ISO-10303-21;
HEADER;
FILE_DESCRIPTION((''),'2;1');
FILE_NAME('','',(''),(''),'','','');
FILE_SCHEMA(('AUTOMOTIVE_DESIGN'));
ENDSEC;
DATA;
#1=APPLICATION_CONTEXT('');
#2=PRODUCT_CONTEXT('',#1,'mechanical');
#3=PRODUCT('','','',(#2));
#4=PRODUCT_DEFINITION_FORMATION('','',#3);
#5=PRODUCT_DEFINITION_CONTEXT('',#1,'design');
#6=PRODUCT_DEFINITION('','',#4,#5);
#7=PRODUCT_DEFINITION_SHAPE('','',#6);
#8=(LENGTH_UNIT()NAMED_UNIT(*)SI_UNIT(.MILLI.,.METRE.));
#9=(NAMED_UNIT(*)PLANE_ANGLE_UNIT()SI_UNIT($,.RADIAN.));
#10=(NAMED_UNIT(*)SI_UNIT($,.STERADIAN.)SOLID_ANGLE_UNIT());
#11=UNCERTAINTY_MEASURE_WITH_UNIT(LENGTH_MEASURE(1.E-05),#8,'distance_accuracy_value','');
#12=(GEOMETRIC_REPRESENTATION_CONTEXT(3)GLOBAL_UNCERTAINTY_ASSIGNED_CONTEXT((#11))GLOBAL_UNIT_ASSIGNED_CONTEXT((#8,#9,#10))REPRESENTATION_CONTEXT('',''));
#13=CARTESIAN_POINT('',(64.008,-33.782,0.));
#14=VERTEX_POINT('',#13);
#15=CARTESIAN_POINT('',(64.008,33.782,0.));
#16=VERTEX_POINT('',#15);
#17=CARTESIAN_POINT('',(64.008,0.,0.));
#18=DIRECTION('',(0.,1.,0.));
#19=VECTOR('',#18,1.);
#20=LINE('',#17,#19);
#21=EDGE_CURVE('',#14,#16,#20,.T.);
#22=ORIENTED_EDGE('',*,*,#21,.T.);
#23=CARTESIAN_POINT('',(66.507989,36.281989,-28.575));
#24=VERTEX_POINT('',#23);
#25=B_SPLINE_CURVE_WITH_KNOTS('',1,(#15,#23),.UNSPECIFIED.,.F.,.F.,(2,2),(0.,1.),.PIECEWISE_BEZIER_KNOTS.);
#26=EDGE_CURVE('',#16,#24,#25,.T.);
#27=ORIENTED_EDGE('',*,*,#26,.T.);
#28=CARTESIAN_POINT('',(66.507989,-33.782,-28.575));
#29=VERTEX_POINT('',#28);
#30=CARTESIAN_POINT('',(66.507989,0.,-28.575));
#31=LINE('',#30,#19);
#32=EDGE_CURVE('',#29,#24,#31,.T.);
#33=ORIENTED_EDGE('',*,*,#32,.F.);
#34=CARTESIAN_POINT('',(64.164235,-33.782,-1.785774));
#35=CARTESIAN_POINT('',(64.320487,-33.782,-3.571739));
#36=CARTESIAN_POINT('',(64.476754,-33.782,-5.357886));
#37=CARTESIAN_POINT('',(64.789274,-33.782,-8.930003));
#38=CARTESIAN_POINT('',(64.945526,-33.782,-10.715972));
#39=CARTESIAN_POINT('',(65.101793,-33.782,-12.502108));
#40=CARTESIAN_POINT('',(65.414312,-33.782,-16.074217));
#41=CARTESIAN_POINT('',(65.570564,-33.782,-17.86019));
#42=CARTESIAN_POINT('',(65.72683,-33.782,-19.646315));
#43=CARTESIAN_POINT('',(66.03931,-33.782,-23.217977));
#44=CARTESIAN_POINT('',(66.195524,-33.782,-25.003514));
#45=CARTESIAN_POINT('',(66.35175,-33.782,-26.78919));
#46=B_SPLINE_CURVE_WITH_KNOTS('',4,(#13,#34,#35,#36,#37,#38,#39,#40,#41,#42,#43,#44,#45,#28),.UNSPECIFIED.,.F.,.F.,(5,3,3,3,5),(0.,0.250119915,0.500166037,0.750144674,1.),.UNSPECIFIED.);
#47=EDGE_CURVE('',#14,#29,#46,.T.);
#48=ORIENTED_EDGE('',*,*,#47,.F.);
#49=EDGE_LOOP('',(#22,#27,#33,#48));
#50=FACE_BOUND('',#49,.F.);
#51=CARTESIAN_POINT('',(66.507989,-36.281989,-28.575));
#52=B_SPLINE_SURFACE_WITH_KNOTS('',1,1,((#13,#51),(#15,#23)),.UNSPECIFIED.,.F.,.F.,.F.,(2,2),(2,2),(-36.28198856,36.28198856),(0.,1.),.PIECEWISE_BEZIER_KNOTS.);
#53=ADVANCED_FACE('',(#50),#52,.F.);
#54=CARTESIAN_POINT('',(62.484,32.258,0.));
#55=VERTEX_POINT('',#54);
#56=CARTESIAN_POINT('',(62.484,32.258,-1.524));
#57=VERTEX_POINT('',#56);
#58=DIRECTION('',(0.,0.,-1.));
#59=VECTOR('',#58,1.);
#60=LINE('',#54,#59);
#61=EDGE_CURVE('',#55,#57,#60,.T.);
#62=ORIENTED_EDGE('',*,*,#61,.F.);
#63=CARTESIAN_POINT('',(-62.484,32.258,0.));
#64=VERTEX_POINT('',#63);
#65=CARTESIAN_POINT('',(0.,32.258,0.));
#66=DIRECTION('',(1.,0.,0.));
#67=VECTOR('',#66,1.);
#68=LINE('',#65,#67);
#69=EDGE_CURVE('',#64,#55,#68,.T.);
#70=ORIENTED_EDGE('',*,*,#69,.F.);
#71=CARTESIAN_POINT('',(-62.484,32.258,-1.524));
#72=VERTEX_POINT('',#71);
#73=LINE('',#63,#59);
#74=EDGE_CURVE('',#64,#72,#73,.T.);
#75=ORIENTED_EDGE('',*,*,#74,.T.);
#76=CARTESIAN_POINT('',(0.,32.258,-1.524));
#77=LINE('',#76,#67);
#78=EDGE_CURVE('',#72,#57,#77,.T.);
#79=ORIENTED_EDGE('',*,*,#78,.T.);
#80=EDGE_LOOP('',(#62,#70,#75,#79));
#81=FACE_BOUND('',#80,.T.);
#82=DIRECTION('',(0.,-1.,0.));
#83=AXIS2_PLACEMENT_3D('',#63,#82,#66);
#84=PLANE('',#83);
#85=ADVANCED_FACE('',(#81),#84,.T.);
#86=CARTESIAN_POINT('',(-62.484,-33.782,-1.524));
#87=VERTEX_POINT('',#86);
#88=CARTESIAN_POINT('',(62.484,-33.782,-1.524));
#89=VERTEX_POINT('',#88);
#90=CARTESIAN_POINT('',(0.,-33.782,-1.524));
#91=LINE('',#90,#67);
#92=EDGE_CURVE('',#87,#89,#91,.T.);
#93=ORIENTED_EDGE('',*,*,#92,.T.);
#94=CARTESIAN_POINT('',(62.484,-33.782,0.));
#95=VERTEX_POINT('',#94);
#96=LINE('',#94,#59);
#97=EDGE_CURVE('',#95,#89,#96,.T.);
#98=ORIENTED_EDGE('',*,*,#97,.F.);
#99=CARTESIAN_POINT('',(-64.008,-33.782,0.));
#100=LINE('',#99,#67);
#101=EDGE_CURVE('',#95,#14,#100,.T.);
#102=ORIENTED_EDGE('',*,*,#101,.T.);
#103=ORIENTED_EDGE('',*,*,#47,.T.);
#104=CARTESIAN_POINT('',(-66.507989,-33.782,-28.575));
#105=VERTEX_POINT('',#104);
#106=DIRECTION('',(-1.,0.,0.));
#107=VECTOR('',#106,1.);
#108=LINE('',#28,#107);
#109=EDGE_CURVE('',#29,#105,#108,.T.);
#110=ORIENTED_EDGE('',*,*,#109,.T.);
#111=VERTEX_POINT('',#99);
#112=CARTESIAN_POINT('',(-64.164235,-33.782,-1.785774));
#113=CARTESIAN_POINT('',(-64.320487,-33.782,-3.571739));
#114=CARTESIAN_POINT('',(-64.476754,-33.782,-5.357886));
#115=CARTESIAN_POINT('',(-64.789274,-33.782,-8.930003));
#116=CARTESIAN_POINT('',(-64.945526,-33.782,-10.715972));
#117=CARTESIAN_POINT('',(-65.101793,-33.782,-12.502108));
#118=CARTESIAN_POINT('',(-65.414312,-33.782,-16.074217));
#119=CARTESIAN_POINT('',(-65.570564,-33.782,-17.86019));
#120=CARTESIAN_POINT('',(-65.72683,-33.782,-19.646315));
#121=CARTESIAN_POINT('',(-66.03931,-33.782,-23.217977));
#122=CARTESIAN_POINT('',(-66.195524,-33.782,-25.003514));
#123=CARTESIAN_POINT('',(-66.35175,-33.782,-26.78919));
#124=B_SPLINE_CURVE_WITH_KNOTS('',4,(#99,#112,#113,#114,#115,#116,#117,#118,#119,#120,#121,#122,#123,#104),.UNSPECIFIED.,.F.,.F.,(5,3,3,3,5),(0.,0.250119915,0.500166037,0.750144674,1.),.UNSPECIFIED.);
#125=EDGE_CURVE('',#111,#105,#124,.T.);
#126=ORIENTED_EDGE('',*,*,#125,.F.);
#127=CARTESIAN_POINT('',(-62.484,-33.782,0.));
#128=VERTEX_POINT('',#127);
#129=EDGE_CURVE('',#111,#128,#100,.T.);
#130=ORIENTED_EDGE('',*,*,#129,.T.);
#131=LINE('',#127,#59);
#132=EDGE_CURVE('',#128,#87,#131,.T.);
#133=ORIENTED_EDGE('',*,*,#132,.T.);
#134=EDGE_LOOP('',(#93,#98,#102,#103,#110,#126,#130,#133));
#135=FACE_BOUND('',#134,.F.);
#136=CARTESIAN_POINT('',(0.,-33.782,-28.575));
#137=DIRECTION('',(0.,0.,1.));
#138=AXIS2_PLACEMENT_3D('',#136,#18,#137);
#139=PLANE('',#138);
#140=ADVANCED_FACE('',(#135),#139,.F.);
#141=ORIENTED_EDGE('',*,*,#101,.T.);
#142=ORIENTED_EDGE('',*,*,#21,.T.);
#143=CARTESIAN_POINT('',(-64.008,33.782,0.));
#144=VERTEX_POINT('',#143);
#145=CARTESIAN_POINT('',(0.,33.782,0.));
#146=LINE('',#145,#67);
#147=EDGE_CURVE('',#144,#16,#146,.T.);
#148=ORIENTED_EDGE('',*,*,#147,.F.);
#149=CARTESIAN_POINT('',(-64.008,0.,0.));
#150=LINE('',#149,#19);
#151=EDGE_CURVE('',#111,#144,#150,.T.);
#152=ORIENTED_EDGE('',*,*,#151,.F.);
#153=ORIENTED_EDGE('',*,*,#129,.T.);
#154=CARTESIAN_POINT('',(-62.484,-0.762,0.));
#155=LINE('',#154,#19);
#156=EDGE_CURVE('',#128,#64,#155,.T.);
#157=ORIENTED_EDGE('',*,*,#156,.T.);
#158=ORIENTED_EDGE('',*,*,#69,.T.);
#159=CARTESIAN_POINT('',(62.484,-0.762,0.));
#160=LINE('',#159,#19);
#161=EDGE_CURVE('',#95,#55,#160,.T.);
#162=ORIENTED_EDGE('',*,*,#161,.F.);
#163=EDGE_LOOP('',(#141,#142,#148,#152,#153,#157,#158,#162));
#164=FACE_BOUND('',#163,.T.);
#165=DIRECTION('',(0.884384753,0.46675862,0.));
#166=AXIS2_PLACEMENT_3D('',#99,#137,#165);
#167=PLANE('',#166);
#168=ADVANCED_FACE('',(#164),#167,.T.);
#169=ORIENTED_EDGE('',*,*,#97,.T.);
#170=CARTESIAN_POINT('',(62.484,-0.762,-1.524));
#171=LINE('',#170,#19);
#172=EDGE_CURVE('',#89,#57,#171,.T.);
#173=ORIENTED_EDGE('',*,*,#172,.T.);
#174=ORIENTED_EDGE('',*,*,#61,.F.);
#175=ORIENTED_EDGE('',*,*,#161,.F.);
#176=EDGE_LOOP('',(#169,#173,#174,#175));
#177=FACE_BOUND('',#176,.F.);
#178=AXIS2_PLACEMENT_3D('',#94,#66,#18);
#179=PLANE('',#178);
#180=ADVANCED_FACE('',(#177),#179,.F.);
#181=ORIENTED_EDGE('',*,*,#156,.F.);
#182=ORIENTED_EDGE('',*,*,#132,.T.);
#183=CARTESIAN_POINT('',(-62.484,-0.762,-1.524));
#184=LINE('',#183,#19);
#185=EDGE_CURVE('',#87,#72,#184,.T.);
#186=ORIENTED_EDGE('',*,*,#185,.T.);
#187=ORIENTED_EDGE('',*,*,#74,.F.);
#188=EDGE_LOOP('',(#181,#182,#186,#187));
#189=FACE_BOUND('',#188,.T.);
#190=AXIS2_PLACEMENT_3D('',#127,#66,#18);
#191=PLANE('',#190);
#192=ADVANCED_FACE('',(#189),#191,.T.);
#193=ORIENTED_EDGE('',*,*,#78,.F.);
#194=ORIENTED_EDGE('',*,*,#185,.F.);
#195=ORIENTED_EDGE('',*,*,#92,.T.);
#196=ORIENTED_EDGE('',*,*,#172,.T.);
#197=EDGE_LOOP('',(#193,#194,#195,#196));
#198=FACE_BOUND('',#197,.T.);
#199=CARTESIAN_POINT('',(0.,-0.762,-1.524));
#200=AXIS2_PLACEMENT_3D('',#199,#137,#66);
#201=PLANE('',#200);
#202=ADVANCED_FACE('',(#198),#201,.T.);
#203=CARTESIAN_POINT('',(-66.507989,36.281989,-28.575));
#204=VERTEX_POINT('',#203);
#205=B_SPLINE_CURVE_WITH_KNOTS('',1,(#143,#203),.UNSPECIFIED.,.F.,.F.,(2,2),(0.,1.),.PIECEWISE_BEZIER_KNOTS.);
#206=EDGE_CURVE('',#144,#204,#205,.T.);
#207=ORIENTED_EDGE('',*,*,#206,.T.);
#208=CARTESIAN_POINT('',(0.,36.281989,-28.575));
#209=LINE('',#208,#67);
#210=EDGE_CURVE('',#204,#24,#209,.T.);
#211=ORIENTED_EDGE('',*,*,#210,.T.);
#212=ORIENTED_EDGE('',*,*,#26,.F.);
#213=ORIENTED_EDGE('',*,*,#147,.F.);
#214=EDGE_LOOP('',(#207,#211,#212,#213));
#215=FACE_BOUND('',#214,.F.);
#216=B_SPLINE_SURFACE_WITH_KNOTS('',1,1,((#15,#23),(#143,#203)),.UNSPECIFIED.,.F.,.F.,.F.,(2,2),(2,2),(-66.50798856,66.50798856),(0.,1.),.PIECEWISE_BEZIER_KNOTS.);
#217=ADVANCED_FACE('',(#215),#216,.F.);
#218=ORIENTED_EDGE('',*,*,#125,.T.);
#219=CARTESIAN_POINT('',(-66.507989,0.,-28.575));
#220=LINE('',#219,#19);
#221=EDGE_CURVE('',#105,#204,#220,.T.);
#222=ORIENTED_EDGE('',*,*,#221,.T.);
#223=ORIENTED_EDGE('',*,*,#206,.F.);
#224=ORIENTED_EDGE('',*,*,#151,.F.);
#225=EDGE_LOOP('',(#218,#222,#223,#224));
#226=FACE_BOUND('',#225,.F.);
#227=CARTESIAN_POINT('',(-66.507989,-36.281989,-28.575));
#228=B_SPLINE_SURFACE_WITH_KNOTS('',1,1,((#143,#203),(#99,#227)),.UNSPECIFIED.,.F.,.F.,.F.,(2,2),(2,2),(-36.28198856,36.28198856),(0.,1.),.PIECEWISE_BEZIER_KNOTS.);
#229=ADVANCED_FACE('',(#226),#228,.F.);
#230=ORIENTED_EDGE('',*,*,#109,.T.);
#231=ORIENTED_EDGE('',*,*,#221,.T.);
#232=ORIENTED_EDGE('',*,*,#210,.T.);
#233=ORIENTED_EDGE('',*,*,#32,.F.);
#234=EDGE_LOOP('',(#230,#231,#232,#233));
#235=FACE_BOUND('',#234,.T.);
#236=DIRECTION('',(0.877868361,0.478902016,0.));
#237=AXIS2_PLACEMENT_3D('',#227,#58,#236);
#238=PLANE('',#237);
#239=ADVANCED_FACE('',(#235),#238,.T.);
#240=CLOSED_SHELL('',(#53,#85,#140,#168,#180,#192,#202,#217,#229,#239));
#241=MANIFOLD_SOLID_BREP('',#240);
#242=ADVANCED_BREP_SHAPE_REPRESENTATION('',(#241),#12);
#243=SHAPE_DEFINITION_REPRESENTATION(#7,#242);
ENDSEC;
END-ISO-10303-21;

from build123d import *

# Parameters (mm, degrees)
F0_W          = 128.016
F0_H          = 67.564
F1_DEPTH      = 28.575
F1_TAPER      = -5
F2_W          = 2.4999885603
F2_H          = 28.575
F3_DEPTH      = 66.5089886603
F3_DEPTH_BACK = 66.5089886603
F4_W          = 124.968
F4_H          = 66.04
F5_DEPTH      = 1.524


with BuildPart() as f1:
    # F0 (on Top) → F1 (new body)
    with BuildSketch(Plane.XY):
        Rectangle(F0_W, F0_H)
    extrude(amount=-F1_DEPTH, taper=F1_TAPER)

    # F2 (on Right) → F3 (cut, two sides)
    with BuildSketch(Plane.YZ) as f3_sk:
        with Locations((-35.0319942801, -14.2875)):
            Rectangle(F2_W, F2_H)
    extrude(amount=-F3_DEPTH, mode=Mode.SUBTRACT)
    extrude(f3_sk.sketch, amount=F3_DEPTH_BACK, mode=Mode.SUBTRACT)

    # F4 (on face) → F5 (cut)
    with BuildSketch(Plane.XY):
        with Locations((0, -0.762)):
            Rectangle(F4_W, F4_H)
    extrude(amount=-F5_DEPTH, mode=Mode.SUBTRACT)


solid = f1.part
